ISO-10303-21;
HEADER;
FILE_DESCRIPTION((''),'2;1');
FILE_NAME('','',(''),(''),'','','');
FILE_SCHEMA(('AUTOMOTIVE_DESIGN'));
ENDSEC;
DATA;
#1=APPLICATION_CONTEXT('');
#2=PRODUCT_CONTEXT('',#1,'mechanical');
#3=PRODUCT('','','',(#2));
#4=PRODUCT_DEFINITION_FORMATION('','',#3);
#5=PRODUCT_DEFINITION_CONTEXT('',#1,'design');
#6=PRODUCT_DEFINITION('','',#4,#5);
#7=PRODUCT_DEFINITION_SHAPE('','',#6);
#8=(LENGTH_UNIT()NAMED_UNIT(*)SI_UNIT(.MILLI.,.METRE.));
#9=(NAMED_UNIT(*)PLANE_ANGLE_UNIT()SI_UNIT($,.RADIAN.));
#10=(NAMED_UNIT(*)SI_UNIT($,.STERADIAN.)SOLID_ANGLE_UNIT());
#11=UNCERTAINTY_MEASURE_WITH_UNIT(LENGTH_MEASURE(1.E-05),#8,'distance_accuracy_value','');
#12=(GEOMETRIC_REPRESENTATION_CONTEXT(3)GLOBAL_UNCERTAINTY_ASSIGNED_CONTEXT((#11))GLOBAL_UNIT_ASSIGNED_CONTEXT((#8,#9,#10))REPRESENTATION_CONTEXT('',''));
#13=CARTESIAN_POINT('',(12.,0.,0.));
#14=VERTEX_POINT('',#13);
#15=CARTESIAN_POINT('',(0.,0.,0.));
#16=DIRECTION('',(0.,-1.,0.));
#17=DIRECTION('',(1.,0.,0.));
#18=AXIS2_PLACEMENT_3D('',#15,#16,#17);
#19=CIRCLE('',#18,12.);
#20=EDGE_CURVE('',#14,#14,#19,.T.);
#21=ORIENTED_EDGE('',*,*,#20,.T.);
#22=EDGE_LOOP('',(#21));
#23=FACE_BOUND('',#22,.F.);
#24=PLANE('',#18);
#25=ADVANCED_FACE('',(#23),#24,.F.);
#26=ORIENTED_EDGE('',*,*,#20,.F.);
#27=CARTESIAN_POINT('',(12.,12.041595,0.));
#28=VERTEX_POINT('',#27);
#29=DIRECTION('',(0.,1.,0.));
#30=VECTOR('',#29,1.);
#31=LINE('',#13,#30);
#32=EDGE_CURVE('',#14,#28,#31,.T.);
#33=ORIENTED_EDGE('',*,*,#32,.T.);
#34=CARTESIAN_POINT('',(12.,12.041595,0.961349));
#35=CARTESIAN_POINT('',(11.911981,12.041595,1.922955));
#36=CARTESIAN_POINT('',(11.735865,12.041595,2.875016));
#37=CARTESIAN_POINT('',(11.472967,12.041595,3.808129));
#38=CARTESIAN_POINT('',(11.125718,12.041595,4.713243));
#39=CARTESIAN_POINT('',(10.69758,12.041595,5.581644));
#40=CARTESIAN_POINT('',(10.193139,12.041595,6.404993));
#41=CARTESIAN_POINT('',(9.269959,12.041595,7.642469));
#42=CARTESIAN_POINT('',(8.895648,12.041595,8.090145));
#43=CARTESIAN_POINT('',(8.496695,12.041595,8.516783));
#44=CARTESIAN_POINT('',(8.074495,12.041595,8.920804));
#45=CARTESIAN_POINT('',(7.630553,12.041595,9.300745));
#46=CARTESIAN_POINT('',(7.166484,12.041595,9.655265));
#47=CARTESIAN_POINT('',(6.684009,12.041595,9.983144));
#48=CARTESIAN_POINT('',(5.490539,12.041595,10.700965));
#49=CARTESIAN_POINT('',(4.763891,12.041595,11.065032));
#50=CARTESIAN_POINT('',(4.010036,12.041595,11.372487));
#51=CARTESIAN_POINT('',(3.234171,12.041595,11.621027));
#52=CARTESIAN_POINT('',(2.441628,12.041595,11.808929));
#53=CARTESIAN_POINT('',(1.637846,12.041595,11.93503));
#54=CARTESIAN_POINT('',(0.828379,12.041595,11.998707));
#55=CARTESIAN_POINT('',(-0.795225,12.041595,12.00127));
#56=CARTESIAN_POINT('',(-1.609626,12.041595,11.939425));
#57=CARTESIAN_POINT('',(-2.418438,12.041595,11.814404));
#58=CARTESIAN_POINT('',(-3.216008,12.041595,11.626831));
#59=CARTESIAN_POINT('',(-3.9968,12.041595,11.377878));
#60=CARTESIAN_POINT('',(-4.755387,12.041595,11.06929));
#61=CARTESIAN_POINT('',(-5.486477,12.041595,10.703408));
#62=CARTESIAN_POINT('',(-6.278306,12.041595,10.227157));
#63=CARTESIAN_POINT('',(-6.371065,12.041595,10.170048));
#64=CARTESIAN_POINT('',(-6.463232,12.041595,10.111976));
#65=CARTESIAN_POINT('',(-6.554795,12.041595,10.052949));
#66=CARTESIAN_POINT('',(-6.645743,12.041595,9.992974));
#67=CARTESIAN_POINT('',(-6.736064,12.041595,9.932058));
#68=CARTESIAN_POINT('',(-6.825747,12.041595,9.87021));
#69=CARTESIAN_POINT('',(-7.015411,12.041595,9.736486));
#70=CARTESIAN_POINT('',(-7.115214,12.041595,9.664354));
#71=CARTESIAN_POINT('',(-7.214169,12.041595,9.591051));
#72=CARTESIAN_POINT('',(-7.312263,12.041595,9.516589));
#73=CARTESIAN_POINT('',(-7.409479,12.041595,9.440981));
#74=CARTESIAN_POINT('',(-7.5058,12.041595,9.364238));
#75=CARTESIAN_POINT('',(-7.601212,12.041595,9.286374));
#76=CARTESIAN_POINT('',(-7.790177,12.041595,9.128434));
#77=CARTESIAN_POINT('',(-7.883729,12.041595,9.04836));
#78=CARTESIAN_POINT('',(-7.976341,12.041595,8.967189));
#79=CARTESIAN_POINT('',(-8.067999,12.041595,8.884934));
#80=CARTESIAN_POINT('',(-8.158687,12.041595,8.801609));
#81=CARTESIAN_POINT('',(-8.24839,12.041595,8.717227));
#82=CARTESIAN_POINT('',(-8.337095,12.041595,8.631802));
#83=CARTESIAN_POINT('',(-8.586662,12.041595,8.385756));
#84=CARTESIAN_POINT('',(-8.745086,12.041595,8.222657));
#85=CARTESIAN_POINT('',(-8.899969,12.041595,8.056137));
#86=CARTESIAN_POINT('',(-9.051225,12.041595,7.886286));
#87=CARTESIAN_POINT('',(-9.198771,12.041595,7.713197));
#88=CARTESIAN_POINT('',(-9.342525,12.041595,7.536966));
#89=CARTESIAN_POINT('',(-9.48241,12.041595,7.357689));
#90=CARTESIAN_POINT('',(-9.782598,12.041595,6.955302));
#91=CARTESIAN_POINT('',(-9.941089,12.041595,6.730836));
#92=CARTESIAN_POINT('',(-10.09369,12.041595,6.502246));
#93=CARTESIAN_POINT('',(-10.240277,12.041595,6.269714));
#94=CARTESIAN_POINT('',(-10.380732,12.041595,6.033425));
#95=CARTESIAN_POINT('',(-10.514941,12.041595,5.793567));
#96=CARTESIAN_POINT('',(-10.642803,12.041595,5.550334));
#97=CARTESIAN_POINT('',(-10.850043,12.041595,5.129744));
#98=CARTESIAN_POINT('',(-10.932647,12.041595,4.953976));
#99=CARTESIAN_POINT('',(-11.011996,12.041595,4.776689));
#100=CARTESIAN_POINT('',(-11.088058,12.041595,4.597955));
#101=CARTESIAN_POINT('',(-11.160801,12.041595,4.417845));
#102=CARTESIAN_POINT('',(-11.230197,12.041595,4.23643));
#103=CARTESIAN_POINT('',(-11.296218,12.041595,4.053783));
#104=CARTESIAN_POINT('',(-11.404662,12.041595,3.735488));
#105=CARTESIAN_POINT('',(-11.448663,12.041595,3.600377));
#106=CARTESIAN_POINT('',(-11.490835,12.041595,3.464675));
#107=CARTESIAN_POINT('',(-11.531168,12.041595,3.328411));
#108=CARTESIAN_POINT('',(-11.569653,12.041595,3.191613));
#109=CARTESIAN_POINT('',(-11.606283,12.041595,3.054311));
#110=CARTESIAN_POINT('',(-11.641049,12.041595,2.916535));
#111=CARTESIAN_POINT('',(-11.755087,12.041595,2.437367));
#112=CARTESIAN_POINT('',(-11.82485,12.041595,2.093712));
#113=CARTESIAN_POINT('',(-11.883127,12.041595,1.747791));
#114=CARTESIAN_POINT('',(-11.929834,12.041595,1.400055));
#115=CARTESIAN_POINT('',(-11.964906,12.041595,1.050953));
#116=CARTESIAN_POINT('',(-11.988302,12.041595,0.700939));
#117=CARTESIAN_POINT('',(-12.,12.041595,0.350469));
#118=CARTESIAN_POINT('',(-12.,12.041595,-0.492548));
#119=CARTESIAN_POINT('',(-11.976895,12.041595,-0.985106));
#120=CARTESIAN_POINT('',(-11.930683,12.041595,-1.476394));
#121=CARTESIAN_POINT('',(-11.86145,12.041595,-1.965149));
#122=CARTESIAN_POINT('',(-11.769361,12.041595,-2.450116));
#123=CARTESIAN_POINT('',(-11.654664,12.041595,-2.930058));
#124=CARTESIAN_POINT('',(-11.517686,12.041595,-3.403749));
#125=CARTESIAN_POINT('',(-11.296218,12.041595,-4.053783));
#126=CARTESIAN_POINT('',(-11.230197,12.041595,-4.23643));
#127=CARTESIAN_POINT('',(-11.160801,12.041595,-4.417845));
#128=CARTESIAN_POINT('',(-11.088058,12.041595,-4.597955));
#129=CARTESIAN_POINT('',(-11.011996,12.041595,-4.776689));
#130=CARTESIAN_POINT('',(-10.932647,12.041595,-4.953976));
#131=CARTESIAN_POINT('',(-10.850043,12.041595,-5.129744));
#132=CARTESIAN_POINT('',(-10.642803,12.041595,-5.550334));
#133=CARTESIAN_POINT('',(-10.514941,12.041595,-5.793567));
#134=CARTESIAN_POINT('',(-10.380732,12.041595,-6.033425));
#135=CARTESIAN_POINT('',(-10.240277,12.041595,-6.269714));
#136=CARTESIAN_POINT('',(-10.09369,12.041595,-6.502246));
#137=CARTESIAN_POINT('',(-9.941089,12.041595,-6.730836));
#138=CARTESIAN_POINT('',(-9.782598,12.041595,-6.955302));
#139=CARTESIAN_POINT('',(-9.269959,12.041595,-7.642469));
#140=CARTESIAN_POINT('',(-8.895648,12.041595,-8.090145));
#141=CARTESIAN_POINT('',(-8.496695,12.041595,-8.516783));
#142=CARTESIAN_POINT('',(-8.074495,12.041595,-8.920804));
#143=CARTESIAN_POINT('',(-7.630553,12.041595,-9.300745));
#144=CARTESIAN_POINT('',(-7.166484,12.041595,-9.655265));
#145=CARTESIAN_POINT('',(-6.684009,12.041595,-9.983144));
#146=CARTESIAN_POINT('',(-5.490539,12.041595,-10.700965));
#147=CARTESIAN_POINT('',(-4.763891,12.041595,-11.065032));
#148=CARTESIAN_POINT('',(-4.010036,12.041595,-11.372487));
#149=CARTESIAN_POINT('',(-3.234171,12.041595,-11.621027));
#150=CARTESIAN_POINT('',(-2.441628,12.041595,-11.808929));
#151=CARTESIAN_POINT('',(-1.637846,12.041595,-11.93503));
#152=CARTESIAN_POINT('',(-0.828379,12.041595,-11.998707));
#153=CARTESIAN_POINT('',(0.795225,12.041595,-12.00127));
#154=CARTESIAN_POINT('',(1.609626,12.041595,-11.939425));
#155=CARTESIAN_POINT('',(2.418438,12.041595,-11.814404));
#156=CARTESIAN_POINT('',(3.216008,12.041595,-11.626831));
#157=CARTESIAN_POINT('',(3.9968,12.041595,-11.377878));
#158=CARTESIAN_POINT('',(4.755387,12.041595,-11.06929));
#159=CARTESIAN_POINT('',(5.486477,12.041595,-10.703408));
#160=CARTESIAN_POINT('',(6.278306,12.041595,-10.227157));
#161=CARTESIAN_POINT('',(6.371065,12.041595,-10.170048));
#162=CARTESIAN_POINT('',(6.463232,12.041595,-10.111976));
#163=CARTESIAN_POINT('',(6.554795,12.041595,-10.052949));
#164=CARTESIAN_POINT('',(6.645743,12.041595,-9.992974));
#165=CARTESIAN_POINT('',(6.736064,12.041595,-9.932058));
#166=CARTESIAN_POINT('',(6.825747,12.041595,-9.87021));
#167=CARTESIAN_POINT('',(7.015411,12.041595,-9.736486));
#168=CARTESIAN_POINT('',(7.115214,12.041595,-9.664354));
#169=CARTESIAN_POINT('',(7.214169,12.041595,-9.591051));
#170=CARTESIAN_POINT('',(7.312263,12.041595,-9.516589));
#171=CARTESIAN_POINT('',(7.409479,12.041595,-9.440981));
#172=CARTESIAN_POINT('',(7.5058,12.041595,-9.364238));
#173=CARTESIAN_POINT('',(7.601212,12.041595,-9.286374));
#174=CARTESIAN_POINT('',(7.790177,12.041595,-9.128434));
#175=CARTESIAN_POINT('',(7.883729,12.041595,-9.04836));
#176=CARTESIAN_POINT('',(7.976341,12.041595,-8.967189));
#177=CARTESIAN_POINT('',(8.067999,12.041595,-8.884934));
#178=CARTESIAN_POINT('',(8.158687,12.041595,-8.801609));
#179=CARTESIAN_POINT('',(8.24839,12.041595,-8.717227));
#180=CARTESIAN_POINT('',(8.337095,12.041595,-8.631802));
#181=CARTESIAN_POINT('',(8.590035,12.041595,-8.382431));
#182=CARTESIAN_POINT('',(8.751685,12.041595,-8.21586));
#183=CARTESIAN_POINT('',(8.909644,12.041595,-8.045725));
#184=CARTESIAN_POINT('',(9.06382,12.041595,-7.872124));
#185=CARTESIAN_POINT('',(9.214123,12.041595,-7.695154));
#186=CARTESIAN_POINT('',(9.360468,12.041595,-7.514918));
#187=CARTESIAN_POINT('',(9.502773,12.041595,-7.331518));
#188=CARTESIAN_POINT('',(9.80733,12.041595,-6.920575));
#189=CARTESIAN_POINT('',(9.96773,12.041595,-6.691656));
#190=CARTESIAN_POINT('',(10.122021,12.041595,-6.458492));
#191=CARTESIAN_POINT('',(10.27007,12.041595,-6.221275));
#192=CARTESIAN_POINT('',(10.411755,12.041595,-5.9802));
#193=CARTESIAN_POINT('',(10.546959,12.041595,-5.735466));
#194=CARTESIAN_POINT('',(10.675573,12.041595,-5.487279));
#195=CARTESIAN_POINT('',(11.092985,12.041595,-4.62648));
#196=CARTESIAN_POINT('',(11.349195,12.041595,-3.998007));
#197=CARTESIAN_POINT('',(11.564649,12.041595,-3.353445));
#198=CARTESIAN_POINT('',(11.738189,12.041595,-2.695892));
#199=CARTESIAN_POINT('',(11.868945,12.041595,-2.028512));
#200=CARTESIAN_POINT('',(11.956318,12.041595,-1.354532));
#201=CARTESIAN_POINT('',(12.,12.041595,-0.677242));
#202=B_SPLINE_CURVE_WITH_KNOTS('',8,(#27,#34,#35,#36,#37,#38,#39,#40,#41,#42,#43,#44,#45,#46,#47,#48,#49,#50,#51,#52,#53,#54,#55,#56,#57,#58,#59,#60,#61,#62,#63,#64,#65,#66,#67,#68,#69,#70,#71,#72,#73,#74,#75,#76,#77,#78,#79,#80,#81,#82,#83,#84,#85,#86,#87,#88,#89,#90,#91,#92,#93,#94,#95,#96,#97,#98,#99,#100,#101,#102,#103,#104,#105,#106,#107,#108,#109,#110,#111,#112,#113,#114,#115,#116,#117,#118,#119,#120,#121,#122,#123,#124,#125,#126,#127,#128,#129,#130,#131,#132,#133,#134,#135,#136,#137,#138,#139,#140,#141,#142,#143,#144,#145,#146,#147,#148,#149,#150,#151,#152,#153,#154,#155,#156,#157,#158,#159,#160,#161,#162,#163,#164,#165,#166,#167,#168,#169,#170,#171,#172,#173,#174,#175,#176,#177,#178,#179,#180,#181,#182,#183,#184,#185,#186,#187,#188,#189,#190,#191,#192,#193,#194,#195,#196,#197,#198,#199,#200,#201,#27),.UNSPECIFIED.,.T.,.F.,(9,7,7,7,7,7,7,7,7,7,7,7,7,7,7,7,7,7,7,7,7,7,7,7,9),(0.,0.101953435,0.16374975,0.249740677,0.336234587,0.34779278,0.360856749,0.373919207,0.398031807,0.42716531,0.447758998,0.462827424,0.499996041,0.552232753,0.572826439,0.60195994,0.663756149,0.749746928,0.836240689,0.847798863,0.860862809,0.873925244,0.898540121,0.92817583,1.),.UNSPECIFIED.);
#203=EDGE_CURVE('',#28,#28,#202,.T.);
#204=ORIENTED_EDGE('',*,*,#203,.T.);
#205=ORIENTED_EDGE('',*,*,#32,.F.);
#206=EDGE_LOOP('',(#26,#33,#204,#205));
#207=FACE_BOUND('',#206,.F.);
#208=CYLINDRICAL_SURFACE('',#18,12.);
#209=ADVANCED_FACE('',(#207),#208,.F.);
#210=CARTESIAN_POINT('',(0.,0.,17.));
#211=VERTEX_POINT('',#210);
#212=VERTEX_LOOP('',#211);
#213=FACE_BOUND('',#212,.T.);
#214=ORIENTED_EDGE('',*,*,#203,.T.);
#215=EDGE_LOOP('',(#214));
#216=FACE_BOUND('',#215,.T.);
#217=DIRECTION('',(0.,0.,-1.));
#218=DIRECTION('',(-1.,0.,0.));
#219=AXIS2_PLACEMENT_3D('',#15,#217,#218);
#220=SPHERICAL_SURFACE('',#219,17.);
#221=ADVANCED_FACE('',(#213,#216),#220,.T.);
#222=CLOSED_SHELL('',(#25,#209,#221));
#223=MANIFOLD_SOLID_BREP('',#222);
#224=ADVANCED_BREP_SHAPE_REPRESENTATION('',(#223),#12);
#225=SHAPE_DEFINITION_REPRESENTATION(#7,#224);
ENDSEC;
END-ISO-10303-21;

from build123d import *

# Parameters (mm, degrees)
F2_R     = 12
F3_DEPTH = 17.001


with BuildPart() as f1:
    # F0 (on Front) → F1 (revolve)
    with BuildSketch(Plane.XZ):
        with BuildLine():
            Line((0, -17), (0, 17))
            ThreePointArc((0, 17), (-17, 0), (0, -17))
        make_face()
    revolve(axis=Axis((0, 0, 0), (0, 0, -1)))

    # F2 (on Front) → F3 (cut, through all)
    with BuildSketch(Plane.XZ):
        Circle(F2_R)
    extrude(amount=-F3_DEPTH, mode=Mode.SUBTRACT)


solid = f1.part
